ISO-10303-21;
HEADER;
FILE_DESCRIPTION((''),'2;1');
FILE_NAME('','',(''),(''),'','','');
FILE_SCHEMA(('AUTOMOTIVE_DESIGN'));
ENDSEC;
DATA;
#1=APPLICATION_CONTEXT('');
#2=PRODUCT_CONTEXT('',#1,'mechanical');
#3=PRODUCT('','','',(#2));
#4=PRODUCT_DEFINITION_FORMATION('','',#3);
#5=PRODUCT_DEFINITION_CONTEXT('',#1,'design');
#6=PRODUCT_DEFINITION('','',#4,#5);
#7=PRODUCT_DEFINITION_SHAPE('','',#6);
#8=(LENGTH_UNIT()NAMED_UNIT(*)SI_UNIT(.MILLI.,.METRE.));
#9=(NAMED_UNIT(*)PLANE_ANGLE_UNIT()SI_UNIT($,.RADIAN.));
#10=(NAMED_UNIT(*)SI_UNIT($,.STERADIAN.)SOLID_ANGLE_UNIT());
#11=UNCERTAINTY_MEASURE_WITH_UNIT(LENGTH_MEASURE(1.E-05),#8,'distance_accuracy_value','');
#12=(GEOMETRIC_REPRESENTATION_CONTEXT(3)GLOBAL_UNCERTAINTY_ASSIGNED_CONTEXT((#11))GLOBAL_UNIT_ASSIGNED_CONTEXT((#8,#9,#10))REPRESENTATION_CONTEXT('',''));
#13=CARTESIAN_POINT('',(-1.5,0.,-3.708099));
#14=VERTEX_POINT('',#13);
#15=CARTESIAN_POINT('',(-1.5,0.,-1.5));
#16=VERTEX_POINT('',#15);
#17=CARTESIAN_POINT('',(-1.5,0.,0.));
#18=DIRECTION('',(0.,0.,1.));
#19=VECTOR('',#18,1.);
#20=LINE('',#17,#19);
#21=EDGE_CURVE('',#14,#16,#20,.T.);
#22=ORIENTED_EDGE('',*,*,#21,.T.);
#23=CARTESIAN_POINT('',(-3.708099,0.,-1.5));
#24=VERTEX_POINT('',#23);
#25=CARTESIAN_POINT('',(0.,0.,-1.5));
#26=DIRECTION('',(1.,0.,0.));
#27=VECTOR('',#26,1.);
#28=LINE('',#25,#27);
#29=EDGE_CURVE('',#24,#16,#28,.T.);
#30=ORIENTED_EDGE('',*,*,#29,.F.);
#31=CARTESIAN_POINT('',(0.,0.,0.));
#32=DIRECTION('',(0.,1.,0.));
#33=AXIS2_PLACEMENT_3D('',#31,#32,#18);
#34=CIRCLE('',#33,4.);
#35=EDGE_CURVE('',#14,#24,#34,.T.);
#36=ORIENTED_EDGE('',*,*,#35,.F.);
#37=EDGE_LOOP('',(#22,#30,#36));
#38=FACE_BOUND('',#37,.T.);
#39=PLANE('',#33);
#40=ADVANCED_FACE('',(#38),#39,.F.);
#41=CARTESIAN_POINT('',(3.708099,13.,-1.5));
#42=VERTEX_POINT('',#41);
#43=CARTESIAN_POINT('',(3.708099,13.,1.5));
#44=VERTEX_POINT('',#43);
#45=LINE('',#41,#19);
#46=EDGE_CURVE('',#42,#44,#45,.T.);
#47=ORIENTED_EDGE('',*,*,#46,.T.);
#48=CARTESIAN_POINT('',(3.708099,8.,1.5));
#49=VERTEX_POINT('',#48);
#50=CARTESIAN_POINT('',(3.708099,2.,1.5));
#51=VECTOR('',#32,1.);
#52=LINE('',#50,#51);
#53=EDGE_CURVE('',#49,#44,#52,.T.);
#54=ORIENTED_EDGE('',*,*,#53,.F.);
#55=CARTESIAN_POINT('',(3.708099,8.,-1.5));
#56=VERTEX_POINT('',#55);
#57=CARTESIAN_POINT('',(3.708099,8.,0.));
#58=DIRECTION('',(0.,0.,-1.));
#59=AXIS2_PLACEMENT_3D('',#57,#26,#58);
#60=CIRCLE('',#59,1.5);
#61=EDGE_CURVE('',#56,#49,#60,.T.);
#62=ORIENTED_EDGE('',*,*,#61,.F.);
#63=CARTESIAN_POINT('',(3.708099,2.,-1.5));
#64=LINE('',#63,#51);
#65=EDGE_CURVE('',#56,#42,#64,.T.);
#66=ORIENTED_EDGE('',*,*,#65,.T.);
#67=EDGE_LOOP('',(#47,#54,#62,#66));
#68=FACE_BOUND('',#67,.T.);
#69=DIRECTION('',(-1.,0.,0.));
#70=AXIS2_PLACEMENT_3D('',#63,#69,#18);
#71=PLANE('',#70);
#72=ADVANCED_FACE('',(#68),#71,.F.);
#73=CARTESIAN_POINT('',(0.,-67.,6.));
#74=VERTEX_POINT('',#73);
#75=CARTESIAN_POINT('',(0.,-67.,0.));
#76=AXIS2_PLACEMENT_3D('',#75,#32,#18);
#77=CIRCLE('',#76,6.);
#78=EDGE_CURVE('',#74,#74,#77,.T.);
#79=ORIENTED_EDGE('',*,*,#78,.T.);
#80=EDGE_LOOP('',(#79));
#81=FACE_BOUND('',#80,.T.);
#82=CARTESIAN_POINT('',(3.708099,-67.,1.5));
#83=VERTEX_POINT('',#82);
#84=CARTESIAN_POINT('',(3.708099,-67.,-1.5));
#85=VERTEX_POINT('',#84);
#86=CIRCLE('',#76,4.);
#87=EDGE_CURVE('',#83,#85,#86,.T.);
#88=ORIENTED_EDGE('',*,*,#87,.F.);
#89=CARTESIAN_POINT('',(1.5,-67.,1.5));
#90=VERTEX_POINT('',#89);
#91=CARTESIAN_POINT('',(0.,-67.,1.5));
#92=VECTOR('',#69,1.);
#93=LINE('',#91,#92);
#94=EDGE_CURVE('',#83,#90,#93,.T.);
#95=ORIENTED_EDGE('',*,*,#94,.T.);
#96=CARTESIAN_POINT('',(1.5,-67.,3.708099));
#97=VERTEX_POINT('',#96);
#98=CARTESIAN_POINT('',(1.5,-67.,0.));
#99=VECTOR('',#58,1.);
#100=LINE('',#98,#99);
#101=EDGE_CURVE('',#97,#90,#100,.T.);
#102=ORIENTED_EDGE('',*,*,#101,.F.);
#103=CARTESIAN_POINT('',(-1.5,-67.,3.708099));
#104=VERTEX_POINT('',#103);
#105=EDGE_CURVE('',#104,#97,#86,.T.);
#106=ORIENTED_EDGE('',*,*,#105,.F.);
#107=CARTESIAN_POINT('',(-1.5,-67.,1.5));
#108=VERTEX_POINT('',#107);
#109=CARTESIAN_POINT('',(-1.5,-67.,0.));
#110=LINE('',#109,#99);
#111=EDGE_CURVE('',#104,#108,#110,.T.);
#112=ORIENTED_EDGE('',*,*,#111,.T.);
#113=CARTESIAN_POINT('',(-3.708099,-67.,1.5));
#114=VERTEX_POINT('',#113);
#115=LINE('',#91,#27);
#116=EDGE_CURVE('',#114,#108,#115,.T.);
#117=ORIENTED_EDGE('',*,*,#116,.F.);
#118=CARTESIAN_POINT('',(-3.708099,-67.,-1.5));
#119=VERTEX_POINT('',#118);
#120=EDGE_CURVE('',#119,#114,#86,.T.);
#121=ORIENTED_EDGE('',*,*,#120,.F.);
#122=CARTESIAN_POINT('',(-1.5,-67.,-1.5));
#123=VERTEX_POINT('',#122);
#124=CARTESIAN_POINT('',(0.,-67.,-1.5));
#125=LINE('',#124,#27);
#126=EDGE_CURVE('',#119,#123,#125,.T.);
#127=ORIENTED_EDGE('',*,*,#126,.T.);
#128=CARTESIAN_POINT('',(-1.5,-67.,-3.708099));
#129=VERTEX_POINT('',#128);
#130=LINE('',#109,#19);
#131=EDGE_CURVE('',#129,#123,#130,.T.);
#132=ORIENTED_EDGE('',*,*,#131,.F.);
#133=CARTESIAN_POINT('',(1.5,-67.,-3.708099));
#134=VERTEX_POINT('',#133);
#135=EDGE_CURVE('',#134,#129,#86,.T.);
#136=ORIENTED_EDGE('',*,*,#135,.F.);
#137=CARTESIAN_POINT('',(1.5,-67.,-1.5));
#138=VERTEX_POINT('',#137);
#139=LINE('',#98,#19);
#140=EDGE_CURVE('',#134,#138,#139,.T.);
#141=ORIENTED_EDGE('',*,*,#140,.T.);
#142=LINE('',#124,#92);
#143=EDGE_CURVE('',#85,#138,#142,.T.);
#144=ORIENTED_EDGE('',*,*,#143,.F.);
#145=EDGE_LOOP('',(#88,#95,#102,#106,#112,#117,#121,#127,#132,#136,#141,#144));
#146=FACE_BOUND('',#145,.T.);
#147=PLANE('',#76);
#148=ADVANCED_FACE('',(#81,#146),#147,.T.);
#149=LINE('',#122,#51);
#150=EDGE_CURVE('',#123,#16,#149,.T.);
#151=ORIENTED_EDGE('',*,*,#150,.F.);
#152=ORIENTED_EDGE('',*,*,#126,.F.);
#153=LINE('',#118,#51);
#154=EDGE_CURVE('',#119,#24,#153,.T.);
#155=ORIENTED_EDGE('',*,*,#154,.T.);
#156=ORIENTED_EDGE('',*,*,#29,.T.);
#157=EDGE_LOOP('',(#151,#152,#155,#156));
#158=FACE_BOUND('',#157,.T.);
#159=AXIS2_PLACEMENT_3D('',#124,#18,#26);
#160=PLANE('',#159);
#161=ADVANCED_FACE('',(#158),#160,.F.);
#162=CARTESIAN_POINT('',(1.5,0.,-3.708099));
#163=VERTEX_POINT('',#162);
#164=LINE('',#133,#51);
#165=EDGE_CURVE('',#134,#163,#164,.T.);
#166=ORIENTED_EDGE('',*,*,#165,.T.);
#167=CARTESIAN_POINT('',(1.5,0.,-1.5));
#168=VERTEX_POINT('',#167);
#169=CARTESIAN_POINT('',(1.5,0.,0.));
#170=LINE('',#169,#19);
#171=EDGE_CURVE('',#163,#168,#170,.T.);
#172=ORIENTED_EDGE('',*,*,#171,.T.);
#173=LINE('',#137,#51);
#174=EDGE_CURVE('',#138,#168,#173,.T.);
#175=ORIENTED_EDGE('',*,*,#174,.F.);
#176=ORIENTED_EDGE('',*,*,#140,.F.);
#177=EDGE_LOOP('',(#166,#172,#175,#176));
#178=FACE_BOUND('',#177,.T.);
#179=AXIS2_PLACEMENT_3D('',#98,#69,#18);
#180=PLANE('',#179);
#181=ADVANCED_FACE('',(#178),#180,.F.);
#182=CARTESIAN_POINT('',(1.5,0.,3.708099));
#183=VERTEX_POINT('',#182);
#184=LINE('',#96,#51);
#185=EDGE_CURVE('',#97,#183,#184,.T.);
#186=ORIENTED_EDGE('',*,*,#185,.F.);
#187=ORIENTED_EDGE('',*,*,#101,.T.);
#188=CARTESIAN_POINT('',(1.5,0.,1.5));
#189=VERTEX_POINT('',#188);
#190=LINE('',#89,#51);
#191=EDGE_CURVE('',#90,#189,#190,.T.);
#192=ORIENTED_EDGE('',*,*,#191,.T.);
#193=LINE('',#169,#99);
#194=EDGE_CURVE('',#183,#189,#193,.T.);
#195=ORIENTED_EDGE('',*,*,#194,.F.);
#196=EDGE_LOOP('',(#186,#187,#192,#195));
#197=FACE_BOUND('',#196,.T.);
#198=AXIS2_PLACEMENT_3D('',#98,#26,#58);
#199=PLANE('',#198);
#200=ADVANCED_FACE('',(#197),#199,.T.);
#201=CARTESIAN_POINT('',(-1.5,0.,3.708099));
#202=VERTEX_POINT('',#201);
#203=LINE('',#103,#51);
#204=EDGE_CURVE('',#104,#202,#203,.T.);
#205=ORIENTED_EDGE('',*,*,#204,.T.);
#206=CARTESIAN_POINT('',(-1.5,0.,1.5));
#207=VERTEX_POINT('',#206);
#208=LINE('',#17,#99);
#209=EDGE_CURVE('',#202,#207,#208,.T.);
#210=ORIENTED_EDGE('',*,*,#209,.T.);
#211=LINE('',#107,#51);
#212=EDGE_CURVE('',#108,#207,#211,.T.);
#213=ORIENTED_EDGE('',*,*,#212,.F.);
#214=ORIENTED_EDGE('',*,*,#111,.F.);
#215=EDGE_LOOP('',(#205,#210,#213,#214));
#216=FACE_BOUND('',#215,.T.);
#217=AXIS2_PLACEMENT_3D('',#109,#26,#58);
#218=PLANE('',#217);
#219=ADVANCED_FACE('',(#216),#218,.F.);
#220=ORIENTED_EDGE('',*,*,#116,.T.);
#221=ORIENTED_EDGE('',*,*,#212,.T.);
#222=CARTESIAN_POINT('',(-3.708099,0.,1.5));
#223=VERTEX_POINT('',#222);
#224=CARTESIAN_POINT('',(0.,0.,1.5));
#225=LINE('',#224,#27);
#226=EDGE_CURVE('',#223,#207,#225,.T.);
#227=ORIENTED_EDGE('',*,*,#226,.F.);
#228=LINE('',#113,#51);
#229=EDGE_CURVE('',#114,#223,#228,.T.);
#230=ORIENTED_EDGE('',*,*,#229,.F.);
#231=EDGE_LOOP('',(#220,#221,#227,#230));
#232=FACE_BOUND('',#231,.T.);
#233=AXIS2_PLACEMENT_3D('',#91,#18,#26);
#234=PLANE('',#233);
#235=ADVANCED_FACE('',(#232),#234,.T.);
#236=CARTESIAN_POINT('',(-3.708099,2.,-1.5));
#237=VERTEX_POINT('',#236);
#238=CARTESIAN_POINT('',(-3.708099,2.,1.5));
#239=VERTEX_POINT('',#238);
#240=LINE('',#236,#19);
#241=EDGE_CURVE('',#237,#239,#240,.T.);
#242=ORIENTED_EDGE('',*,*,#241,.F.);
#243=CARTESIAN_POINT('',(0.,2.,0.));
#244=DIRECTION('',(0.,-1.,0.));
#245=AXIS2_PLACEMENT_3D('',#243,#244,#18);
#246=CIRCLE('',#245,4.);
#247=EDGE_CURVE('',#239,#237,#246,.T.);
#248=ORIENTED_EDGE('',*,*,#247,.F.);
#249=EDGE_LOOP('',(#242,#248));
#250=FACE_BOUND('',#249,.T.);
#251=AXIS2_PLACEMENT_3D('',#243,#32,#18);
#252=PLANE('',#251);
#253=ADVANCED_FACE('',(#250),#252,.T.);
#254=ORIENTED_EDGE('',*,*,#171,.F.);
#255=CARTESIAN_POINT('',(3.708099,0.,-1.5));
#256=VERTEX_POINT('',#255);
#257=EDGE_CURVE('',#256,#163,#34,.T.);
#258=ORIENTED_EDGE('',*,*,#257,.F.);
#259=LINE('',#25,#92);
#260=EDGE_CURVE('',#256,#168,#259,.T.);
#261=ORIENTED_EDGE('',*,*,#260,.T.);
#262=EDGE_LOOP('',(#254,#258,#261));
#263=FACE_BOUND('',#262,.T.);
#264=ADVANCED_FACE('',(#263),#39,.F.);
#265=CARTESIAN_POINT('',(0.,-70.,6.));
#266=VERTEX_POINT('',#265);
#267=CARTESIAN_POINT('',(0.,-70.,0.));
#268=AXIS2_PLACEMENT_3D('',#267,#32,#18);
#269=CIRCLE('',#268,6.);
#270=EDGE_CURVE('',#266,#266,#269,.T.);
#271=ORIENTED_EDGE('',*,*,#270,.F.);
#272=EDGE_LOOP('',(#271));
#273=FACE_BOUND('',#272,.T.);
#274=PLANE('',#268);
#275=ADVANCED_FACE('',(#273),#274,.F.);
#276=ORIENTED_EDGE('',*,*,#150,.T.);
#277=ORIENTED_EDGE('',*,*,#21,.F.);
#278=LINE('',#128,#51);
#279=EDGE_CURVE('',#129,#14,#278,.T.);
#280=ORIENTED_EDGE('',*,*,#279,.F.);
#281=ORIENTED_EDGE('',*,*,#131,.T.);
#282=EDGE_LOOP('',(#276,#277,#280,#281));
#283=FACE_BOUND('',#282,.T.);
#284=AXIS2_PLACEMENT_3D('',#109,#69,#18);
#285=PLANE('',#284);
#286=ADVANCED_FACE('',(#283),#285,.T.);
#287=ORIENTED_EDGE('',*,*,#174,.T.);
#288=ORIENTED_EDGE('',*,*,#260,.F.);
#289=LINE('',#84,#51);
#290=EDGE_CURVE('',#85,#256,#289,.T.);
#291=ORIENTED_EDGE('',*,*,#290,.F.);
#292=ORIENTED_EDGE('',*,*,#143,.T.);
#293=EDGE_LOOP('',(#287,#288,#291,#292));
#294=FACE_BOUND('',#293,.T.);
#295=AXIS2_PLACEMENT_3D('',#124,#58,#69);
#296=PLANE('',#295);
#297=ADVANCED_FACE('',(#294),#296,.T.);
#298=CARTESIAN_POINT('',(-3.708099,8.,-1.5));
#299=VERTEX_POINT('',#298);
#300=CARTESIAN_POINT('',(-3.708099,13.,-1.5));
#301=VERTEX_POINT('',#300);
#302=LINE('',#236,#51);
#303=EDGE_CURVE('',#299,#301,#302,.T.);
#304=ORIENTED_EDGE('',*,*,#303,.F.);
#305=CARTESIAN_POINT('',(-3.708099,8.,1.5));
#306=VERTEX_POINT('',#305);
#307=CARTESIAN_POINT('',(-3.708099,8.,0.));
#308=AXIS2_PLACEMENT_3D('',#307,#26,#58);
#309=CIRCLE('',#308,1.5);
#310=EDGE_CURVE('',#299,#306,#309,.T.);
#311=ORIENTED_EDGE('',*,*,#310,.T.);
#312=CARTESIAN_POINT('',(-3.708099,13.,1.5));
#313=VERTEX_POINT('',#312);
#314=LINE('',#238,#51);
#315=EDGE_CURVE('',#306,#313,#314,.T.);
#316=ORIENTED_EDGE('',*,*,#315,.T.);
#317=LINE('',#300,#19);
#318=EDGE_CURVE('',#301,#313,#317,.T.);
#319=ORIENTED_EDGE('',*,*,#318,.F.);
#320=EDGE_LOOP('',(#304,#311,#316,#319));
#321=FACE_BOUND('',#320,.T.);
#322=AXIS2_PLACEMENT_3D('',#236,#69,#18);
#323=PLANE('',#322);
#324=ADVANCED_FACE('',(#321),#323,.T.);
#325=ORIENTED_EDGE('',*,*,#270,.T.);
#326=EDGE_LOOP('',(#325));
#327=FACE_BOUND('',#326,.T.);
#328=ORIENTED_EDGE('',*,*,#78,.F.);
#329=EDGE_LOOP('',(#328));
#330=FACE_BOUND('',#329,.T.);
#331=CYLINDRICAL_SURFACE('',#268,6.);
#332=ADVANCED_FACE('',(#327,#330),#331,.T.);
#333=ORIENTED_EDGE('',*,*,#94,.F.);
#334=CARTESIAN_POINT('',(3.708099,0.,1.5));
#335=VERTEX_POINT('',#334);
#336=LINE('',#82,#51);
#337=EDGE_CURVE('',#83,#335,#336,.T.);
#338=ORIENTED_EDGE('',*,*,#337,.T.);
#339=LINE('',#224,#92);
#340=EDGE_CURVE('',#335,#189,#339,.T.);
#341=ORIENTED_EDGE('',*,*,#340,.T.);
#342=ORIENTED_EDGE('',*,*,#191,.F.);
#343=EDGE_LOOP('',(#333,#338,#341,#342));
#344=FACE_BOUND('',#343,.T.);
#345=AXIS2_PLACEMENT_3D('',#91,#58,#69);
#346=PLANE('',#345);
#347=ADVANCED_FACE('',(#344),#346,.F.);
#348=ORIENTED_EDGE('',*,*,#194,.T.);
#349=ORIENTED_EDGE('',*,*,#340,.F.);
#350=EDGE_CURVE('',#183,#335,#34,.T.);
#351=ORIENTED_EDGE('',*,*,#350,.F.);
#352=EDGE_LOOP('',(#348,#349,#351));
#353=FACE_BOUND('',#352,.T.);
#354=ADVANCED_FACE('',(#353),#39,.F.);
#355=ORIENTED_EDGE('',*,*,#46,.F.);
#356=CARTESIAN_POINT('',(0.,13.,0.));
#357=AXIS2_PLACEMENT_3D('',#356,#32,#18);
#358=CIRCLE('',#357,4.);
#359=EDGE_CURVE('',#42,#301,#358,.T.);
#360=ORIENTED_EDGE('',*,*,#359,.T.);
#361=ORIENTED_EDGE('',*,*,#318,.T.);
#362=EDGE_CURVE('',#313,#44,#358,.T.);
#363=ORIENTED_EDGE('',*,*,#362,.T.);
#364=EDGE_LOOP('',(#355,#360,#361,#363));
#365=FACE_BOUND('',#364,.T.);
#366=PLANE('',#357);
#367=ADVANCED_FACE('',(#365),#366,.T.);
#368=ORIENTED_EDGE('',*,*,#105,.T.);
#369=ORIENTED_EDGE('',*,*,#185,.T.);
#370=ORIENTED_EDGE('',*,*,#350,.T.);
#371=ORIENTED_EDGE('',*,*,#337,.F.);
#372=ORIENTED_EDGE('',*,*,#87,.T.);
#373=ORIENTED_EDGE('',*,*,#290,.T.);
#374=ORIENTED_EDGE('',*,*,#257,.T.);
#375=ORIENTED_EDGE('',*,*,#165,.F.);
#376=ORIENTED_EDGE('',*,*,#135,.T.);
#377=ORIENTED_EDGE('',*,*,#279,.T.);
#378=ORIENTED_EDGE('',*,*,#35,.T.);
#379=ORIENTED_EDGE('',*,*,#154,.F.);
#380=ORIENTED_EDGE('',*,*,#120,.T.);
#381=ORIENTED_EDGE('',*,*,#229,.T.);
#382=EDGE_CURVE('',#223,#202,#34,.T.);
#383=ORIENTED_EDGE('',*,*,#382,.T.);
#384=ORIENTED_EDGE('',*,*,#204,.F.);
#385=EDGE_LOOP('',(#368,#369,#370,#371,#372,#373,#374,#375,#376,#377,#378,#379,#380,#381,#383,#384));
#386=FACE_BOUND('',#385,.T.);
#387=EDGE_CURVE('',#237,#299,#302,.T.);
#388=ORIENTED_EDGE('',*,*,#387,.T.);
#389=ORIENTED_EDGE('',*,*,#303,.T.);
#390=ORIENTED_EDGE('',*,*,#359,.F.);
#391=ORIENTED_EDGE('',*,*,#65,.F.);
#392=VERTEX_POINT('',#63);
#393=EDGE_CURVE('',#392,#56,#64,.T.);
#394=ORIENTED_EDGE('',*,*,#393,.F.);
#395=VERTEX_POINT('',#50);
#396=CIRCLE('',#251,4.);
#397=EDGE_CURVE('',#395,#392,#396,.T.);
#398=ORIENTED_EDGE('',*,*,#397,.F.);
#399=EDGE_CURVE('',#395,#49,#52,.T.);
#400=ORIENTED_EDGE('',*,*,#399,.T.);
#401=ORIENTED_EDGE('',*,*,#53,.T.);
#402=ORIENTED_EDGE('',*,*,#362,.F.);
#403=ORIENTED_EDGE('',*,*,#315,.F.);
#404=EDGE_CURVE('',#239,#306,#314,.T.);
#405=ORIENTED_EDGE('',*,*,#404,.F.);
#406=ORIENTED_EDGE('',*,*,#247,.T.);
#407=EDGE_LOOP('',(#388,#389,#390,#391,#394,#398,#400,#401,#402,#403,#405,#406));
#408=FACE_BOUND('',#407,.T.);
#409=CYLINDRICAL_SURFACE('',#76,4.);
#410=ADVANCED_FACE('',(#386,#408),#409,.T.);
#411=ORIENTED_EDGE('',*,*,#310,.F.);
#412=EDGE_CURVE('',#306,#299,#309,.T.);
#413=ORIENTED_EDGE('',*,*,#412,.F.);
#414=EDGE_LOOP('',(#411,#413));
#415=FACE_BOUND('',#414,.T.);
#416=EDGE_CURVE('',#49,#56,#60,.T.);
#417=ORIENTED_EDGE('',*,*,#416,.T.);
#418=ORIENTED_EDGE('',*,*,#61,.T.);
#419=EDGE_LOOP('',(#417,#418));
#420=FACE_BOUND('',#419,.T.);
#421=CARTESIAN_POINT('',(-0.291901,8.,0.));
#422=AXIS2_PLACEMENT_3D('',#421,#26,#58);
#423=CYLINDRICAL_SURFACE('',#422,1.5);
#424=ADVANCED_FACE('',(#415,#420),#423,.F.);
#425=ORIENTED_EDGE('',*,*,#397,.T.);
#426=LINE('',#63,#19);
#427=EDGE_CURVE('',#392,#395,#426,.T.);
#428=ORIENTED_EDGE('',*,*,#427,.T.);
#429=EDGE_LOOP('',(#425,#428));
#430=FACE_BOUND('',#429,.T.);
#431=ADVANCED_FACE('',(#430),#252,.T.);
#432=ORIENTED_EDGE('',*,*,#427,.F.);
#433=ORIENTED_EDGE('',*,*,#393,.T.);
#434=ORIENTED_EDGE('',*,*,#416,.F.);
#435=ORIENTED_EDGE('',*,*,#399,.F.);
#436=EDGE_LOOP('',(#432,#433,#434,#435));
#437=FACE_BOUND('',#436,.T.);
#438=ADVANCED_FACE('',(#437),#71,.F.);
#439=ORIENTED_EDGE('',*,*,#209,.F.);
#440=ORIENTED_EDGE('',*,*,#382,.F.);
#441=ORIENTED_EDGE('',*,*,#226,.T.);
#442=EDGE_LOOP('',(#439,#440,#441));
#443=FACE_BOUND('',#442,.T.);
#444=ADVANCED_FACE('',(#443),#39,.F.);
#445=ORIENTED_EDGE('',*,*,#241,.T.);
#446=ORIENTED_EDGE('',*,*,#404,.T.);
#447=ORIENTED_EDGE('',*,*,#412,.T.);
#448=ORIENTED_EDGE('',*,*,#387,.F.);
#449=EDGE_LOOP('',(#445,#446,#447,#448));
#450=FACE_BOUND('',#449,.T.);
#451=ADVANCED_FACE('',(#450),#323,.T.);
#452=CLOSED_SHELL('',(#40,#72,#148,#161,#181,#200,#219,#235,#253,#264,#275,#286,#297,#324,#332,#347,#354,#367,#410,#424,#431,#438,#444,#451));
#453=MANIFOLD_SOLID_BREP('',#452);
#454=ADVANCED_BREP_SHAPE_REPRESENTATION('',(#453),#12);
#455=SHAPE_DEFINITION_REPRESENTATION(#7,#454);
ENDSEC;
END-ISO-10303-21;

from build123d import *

# Parameters (mm, degrees)
BOSS_EXTRUDE1_DEPTH = 67
BOSS_EXTRUDE2_START = 13
SKETCH1_3_R         = 4
BOSS_EXTRUDE2_DEPTH = 13
BOSS_EXTRUDE3_START = -67
SKETCH1_4_R         = 6
BOSS_EXTRUDE3_DEPTH = 3
CUT_EXTRUDE1_DEPTH  = 11
SKETCH3_R           = 1.5
CUT_EXTRUDE2_DEPTH  = 4


with BuildPart() as part:
    # Sketch1 → Boss-Extrude1 (new body)
    with BuildSketch(Plane(origin=(0, 0, 0), x_dir=(1, 0, 0), z_dir=(0, 1, 0))):
        with BuildLine():
            Line((1.5, 1.5), (1.5, 3.708099244))
            ThreePointArc((1.5, 3.708099244), (0, 4), (-1.5, 3.708099244))
            Line((-1.5, 3.708099244), (-1.5, 1.5))
            Line((-1.5, 1.5), (-3.708099244, 1.5))
            ThreePointArc((-3.708099244, 1.5), (-4, 0), (-3.708099244, -1.5))
            Line((-3.708099244, -1.5), (-1.5, -1.5))
            Line((-1.5, -1.5), (-1.5, -3.708099244))
            ThreePointArc((-1.5, -3.708099244), (0, -4), (1.5, -3.708099244))
            Line((1.5, -3.708099244), (1.5, -1.5))
            Line((1.5, -1.5), (3.708099244, -1.5))
            ThreePointArc((3.708099244, -1.5), (3.92634671, -0.76406905), (4, 0))
            ThreePointArc((4, 0), (3.92634671, 0.76406905), (3.708099244, 1.5))
            Line((3.708099244, 1.5), (1.5, 1.5))
        make_face()
    extrude(amount=-BOSS_EXTRUDE1_DEPTH)

    # Sketch1<3> → Boss-Extrude2 (add)
    with BuildSketch(Plane(origin=(0, 0, 0), x_dir=(1, 0, 0), z_dir=(0, 1, 0)).offset(BOSS_EXTRUDE2_START)):
        Circle(SKETCH1_3_R)
    extrude(amount=-BOSS_EXTRUDE2_DEPTH)

    # Sketch1<4> → Boss-Extrude3 (add)
    with BuildSketch(Plane(origin=(0, 0, 0), x_dir=(1, 0, 0), z_dir=(0, 1, 0)).offset(BOSS_EXTRUDE3_START)):
        Circle(SKETCH1_4_R)
    extrude(amount=-BOSS_EXTRUDE3_DEPTH)

    # Sketch2 → Cut-Extrude1 (cut)
    with BuildSketch(Plane(origin=(0, 13, 0), x_dir=(1, 0, 0), z_dir=(0, 1, 0))):
        with BuildLine():
            Line((3.708099244, 1.5), (3.708099244, -1.5))
            ThreePointArc((3.708099244, -1.5), (4, 0), (3.708099244, 1.5))
        make_face()
    cut_extrude1 = extrude(amount=-CUT_EXTRUDE1_DEPTH, mode=Mode.SUBTRACT)

    # Sketch3 → Cut-Extrude2 (cut)
    with BuildSketch(Plane(origin=(3.708099244, 0, 0), x_dir=(0, 0, -1), z_dir=(1, 0, 0))):
        with Locations((0, 8)):
            Circle(SKETCH3_R)
    cut_extrude2 = extrude(amount=-CUT_EXTRUDE2_DEPTH, mode=Mode.SUBTRACT)

    # Mirror1: Cut-Extrude1, Cut-Extrude2 across plane
    add(cut_extrude1.mirror(Plane(origin=(0, 0, 0), x_dir=(0, 0, 1), z_dir=(1, 0, 0))), mode=Mode.SUBTRACT)
    add(cut_extrude2.mirror(Plane(origin=(0, 0, 0), x_dir=(0, 0, 1), z_dir=(1, 0, 0))), mode=Mode.SUBTRACT)


solid = part.part
